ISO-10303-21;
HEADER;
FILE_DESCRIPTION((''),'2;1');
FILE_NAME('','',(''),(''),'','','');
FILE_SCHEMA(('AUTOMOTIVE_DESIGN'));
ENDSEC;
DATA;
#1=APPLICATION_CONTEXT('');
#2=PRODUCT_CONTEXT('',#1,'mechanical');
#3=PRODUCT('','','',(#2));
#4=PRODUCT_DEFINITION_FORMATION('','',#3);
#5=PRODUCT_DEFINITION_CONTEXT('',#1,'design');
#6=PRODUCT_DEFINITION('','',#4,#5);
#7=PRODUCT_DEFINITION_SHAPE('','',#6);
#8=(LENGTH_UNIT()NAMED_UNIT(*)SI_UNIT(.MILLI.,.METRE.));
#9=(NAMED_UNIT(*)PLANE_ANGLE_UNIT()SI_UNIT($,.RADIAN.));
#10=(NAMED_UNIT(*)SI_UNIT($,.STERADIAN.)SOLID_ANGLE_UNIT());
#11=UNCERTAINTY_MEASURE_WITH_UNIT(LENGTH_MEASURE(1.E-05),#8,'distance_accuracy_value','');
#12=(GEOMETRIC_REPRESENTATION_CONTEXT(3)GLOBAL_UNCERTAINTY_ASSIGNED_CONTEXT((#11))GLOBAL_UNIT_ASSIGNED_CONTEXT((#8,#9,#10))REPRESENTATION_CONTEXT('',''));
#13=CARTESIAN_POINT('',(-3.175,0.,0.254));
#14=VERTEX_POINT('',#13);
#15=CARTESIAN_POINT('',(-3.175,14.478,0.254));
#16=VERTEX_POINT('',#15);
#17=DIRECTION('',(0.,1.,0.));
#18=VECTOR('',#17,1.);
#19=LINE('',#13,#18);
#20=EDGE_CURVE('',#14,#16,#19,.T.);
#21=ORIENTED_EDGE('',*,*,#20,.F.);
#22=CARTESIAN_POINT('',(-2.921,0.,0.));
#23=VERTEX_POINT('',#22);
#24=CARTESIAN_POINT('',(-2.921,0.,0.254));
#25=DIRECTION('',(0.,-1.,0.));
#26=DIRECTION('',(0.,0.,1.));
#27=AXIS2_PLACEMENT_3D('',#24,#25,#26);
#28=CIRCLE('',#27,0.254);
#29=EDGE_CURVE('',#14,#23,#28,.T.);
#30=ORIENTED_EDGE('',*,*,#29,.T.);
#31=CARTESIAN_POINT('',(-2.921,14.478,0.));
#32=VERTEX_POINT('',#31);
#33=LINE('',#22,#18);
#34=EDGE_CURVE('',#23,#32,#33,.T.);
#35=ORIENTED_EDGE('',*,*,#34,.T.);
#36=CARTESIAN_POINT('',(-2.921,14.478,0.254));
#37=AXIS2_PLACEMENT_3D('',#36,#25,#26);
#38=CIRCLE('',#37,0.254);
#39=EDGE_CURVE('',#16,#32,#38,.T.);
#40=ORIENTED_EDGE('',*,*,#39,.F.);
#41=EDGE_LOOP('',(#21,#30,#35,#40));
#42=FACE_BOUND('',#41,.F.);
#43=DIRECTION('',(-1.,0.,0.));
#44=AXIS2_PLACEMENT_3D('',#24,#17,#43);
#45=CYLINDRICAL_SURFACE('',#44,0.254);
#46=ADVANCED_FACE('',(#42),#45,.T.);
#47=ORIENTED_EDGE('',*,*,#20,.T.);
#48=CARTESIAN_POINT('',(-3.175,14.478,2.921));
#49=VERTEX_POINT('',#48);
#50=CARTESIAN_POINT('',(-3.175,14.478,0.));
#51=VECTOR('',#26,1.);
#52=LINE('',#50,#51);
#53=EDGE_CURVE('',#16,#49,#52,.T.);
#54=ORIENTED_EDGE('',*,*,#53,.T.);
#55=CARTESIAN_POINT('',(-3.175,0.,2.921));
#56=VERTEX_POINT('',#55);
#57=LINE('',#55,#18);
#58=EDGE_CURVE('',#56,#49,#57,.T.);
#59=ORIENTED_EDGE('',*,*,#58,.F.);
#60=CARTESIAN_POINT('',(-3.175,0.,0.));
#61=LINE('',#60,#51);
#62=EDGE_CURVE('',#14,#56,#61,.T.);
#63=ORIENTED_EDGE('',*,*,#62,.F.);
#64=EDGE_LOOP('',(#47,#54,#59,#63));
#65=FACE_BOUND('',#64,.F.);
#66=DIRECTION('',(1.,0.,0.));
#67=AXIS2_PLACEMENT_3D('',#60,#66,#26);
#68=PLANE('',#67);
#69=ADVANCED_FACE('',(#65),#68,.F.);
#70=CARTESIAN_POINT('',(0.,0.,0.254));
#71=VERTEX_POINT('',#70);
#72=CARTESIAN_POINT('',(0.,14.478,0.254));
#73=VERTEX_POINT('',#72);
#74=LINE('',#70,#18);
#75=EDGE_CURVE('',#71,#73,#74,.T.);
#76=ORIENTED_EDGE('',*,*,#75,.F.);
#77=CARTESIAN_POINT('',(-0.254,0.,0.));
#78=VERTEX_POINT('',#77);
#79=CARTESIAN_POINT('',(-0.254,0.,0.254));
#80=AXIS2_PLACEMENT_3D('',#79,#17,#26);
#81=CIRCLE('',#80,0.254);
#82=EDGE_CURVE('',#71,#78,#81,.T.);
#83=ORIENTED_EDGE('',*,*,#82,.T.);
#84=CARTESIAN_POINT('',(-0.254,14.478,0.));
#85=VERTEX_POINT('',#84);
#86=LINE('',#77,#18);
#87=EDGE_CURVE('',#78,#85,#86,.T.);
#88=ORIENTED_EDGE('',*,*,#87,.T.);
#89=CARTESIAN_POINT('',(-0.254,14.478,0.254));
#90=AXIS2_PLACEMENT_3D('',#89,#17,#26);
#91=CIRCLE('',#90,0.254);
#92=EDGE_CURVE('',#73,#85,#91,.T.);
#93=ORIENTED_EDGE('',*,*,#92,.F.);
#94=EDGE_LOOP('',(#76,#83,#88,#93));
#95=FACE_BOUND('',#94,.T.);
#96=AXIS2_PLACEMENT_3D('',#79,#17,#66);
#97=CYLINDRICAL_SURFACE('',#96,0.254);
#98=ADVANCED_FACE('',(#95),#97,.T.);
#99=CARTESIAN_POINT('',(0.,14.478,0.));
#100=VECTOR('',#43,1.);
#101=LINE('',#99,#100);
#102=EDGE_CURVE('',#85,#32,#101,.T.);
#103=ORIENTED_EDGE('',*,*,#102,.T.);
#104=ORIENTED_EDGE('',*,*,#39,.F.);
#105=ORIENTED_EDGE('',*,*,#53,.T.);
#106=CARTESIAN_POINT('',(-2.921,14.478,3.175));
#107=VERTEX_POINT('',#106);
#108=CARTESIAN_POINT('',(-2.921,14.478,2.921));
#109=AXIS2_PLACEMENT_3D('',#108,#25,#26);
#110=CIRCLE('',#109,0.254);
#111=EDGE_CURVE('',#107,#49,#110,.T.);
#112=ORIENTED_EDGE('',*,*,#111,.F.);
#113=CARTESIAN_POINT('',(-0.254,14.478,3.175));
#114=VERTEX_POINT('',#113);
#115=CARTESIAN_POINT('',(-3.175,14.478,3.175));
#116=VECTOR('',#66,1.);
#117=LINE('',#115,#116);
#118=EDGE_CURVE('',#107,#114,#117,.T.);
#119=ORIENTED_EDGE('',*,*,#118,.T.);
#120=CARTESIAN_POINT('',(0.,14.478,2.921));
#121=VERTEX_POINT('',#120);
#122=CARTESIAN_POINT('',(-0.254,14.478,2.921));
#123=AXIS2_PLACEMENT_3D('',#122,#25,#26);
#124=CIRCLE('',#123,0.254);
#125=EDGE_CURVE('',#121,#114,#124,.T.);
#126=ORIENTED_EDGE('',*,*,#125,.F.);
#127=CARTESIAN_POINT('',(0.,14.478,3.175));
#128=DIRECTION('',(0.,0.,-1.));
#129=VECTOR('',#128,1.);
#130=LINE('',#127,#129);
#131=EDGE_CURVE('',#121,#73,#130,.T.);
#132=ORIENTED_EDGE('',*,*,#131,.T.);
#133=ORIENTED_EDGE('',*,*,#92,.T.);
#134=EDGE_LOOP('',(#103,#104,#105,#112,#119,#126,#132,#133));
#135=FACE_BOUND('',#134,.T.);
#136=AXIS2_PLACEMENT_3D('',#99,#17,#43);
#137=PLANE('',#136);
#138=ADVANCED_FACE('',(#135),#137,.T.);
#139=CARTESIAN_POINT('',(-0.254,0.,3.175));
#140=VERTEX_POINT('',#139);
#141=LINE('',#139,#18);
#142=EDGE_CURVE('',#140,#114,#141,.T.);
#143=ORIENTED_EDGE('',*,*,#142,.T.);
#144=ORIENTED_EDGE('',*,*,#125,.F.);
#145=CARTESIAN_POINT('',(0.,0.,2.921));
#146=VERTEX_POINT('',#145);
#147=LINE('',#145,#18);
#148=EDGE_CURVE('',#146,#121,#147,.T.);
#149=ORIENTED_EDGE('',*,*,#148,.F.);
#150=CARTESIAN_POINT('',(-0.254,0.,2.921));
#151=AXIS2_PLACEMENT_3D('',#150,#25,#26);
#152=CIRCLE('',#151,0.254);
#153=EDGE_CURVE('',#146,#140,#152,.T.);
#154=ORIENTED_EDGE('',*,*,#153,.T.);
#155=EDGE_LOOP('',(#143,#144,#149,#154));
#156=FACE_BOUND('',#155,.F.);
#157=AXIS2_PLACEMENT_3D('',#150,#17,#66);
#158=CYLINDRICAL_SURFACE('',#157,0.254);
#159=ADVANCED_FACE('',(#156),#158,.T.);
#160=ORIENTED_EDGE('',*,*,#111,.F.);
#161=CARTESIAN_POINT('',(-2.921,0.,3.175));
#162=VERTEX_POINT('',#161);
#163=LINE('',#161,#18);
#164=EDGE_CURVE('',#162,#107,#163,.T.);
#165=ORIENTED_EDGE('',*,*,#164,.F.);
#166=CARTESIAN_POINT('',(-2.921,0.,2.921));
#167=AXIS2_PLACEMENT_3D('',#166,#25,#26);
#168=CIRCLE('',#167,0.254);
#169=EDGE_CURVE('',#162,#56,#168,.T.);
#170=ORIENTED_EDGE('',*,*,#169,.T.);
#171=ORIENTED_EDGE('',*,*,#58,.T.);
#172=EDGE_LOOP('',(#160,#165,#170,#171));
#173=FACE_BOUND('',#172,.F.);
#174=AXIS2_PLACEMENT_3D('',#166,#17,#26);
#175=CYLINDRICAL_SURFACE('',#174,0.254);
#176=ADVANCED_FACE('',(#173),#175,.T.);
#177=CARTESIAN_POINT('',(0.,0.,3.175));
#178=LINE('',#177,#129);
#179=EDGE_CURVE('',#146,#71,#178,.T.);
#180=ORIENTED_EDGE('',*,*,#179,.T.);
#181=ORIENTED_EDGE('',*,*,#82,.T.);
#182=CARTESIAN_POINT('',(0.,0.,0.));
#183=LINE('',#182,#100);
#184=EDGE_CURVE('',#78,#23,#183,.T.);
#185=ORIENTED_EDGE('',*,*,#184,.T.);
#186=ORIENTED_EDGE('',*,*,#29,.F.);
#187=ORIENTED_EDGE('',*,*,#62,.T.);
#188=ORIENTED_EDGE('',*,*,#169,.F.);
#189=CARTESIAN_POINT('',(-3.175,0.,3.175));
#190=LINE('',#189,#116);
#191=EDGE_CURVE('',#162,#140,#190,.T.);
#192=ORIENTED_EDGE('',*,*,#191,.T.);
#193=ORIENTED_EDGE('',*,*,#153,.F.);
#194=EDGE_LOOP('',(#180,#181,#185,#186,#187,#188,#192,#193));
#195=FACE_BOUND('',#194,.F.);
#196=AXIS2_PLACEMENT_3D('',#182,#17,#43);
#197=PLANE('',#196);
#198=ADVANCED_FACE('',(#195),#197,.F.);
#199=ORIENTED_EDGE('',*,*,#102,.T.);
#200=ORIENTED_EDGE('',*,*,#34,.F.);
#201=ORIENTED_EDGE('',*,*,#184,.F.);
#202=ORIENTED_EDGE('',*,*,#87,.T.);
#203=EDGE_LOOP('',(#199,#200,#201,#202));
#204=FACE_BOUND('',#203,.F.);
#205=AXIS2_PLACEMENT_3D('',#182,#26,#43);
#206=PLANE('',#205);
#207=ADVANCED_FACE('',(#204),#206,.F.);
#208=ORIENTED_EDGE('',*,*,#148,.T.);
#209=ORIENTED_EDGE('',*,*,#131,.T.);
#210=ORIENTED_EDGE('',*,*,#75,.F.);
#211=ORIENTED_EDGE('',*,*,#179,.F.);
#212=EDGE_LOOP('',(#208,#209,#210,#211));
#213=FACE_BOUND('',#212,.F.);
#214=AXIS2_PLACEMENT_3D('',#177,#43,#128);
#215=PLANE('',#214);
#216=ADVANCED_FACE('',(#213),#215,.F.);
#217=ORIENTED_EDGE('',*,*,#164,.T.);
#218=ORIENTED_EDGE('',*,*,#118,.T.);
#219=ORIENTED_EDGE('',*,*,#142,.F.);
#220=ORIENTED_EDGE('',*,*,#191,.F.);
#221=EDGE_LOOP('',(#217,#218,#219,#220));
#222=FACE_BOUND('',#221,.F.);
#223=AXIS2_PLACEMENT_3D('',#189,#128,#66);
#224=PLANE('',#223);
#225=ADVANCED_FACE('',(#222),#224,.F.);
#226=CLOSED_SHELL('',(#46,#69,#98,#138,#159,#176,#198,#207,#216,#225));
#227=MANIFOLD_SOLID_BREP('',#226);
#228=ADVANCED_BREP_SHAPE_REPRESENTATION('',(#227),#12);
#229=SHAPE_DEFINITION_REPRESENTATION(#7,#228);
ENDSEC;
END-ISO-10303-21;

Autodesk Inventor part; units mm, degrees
ref_plane "YZ Plane" through (0, 0, 0) normal (1, 0, 0) x (0, 1, 0)
ref_plane "XZ Plane" through (0, 0, 0) normal (0, 1, 0) x (-1, 0, 0)
ref_plane "XY Plane" through (0, 0, 0) normal (0, 0, 1) x (1, 0, 0)
sketch "Sketch1" plane through (0, 0, 0) normal (0, 1, 0) x (-1, 0, 0)
  line L0 (0, 0) -> (3.175, 0)
  line L1 (3.175, 0) -> (3.175, 3.175)
  line L2 (3.175, 3.175) -> (0, 3.175)
  line L3 (0, 3.175) -> (0, 0)
  dimension "d0" = 3.175
  dimension "d1" = 3.175
extrude "Extrusion1" add sketch "Sketch1" along normal blind 14.478
fillet "Fillet1" radius 0.254 4 edges at (0, 7.239, 3.175) (0, 7.239, 0) (-3.175, 7.239, 3.175) (-3.175, 7.239, 0)
properties part number "0.125 x 0.125 x 0.57 Key" material "Steel"
